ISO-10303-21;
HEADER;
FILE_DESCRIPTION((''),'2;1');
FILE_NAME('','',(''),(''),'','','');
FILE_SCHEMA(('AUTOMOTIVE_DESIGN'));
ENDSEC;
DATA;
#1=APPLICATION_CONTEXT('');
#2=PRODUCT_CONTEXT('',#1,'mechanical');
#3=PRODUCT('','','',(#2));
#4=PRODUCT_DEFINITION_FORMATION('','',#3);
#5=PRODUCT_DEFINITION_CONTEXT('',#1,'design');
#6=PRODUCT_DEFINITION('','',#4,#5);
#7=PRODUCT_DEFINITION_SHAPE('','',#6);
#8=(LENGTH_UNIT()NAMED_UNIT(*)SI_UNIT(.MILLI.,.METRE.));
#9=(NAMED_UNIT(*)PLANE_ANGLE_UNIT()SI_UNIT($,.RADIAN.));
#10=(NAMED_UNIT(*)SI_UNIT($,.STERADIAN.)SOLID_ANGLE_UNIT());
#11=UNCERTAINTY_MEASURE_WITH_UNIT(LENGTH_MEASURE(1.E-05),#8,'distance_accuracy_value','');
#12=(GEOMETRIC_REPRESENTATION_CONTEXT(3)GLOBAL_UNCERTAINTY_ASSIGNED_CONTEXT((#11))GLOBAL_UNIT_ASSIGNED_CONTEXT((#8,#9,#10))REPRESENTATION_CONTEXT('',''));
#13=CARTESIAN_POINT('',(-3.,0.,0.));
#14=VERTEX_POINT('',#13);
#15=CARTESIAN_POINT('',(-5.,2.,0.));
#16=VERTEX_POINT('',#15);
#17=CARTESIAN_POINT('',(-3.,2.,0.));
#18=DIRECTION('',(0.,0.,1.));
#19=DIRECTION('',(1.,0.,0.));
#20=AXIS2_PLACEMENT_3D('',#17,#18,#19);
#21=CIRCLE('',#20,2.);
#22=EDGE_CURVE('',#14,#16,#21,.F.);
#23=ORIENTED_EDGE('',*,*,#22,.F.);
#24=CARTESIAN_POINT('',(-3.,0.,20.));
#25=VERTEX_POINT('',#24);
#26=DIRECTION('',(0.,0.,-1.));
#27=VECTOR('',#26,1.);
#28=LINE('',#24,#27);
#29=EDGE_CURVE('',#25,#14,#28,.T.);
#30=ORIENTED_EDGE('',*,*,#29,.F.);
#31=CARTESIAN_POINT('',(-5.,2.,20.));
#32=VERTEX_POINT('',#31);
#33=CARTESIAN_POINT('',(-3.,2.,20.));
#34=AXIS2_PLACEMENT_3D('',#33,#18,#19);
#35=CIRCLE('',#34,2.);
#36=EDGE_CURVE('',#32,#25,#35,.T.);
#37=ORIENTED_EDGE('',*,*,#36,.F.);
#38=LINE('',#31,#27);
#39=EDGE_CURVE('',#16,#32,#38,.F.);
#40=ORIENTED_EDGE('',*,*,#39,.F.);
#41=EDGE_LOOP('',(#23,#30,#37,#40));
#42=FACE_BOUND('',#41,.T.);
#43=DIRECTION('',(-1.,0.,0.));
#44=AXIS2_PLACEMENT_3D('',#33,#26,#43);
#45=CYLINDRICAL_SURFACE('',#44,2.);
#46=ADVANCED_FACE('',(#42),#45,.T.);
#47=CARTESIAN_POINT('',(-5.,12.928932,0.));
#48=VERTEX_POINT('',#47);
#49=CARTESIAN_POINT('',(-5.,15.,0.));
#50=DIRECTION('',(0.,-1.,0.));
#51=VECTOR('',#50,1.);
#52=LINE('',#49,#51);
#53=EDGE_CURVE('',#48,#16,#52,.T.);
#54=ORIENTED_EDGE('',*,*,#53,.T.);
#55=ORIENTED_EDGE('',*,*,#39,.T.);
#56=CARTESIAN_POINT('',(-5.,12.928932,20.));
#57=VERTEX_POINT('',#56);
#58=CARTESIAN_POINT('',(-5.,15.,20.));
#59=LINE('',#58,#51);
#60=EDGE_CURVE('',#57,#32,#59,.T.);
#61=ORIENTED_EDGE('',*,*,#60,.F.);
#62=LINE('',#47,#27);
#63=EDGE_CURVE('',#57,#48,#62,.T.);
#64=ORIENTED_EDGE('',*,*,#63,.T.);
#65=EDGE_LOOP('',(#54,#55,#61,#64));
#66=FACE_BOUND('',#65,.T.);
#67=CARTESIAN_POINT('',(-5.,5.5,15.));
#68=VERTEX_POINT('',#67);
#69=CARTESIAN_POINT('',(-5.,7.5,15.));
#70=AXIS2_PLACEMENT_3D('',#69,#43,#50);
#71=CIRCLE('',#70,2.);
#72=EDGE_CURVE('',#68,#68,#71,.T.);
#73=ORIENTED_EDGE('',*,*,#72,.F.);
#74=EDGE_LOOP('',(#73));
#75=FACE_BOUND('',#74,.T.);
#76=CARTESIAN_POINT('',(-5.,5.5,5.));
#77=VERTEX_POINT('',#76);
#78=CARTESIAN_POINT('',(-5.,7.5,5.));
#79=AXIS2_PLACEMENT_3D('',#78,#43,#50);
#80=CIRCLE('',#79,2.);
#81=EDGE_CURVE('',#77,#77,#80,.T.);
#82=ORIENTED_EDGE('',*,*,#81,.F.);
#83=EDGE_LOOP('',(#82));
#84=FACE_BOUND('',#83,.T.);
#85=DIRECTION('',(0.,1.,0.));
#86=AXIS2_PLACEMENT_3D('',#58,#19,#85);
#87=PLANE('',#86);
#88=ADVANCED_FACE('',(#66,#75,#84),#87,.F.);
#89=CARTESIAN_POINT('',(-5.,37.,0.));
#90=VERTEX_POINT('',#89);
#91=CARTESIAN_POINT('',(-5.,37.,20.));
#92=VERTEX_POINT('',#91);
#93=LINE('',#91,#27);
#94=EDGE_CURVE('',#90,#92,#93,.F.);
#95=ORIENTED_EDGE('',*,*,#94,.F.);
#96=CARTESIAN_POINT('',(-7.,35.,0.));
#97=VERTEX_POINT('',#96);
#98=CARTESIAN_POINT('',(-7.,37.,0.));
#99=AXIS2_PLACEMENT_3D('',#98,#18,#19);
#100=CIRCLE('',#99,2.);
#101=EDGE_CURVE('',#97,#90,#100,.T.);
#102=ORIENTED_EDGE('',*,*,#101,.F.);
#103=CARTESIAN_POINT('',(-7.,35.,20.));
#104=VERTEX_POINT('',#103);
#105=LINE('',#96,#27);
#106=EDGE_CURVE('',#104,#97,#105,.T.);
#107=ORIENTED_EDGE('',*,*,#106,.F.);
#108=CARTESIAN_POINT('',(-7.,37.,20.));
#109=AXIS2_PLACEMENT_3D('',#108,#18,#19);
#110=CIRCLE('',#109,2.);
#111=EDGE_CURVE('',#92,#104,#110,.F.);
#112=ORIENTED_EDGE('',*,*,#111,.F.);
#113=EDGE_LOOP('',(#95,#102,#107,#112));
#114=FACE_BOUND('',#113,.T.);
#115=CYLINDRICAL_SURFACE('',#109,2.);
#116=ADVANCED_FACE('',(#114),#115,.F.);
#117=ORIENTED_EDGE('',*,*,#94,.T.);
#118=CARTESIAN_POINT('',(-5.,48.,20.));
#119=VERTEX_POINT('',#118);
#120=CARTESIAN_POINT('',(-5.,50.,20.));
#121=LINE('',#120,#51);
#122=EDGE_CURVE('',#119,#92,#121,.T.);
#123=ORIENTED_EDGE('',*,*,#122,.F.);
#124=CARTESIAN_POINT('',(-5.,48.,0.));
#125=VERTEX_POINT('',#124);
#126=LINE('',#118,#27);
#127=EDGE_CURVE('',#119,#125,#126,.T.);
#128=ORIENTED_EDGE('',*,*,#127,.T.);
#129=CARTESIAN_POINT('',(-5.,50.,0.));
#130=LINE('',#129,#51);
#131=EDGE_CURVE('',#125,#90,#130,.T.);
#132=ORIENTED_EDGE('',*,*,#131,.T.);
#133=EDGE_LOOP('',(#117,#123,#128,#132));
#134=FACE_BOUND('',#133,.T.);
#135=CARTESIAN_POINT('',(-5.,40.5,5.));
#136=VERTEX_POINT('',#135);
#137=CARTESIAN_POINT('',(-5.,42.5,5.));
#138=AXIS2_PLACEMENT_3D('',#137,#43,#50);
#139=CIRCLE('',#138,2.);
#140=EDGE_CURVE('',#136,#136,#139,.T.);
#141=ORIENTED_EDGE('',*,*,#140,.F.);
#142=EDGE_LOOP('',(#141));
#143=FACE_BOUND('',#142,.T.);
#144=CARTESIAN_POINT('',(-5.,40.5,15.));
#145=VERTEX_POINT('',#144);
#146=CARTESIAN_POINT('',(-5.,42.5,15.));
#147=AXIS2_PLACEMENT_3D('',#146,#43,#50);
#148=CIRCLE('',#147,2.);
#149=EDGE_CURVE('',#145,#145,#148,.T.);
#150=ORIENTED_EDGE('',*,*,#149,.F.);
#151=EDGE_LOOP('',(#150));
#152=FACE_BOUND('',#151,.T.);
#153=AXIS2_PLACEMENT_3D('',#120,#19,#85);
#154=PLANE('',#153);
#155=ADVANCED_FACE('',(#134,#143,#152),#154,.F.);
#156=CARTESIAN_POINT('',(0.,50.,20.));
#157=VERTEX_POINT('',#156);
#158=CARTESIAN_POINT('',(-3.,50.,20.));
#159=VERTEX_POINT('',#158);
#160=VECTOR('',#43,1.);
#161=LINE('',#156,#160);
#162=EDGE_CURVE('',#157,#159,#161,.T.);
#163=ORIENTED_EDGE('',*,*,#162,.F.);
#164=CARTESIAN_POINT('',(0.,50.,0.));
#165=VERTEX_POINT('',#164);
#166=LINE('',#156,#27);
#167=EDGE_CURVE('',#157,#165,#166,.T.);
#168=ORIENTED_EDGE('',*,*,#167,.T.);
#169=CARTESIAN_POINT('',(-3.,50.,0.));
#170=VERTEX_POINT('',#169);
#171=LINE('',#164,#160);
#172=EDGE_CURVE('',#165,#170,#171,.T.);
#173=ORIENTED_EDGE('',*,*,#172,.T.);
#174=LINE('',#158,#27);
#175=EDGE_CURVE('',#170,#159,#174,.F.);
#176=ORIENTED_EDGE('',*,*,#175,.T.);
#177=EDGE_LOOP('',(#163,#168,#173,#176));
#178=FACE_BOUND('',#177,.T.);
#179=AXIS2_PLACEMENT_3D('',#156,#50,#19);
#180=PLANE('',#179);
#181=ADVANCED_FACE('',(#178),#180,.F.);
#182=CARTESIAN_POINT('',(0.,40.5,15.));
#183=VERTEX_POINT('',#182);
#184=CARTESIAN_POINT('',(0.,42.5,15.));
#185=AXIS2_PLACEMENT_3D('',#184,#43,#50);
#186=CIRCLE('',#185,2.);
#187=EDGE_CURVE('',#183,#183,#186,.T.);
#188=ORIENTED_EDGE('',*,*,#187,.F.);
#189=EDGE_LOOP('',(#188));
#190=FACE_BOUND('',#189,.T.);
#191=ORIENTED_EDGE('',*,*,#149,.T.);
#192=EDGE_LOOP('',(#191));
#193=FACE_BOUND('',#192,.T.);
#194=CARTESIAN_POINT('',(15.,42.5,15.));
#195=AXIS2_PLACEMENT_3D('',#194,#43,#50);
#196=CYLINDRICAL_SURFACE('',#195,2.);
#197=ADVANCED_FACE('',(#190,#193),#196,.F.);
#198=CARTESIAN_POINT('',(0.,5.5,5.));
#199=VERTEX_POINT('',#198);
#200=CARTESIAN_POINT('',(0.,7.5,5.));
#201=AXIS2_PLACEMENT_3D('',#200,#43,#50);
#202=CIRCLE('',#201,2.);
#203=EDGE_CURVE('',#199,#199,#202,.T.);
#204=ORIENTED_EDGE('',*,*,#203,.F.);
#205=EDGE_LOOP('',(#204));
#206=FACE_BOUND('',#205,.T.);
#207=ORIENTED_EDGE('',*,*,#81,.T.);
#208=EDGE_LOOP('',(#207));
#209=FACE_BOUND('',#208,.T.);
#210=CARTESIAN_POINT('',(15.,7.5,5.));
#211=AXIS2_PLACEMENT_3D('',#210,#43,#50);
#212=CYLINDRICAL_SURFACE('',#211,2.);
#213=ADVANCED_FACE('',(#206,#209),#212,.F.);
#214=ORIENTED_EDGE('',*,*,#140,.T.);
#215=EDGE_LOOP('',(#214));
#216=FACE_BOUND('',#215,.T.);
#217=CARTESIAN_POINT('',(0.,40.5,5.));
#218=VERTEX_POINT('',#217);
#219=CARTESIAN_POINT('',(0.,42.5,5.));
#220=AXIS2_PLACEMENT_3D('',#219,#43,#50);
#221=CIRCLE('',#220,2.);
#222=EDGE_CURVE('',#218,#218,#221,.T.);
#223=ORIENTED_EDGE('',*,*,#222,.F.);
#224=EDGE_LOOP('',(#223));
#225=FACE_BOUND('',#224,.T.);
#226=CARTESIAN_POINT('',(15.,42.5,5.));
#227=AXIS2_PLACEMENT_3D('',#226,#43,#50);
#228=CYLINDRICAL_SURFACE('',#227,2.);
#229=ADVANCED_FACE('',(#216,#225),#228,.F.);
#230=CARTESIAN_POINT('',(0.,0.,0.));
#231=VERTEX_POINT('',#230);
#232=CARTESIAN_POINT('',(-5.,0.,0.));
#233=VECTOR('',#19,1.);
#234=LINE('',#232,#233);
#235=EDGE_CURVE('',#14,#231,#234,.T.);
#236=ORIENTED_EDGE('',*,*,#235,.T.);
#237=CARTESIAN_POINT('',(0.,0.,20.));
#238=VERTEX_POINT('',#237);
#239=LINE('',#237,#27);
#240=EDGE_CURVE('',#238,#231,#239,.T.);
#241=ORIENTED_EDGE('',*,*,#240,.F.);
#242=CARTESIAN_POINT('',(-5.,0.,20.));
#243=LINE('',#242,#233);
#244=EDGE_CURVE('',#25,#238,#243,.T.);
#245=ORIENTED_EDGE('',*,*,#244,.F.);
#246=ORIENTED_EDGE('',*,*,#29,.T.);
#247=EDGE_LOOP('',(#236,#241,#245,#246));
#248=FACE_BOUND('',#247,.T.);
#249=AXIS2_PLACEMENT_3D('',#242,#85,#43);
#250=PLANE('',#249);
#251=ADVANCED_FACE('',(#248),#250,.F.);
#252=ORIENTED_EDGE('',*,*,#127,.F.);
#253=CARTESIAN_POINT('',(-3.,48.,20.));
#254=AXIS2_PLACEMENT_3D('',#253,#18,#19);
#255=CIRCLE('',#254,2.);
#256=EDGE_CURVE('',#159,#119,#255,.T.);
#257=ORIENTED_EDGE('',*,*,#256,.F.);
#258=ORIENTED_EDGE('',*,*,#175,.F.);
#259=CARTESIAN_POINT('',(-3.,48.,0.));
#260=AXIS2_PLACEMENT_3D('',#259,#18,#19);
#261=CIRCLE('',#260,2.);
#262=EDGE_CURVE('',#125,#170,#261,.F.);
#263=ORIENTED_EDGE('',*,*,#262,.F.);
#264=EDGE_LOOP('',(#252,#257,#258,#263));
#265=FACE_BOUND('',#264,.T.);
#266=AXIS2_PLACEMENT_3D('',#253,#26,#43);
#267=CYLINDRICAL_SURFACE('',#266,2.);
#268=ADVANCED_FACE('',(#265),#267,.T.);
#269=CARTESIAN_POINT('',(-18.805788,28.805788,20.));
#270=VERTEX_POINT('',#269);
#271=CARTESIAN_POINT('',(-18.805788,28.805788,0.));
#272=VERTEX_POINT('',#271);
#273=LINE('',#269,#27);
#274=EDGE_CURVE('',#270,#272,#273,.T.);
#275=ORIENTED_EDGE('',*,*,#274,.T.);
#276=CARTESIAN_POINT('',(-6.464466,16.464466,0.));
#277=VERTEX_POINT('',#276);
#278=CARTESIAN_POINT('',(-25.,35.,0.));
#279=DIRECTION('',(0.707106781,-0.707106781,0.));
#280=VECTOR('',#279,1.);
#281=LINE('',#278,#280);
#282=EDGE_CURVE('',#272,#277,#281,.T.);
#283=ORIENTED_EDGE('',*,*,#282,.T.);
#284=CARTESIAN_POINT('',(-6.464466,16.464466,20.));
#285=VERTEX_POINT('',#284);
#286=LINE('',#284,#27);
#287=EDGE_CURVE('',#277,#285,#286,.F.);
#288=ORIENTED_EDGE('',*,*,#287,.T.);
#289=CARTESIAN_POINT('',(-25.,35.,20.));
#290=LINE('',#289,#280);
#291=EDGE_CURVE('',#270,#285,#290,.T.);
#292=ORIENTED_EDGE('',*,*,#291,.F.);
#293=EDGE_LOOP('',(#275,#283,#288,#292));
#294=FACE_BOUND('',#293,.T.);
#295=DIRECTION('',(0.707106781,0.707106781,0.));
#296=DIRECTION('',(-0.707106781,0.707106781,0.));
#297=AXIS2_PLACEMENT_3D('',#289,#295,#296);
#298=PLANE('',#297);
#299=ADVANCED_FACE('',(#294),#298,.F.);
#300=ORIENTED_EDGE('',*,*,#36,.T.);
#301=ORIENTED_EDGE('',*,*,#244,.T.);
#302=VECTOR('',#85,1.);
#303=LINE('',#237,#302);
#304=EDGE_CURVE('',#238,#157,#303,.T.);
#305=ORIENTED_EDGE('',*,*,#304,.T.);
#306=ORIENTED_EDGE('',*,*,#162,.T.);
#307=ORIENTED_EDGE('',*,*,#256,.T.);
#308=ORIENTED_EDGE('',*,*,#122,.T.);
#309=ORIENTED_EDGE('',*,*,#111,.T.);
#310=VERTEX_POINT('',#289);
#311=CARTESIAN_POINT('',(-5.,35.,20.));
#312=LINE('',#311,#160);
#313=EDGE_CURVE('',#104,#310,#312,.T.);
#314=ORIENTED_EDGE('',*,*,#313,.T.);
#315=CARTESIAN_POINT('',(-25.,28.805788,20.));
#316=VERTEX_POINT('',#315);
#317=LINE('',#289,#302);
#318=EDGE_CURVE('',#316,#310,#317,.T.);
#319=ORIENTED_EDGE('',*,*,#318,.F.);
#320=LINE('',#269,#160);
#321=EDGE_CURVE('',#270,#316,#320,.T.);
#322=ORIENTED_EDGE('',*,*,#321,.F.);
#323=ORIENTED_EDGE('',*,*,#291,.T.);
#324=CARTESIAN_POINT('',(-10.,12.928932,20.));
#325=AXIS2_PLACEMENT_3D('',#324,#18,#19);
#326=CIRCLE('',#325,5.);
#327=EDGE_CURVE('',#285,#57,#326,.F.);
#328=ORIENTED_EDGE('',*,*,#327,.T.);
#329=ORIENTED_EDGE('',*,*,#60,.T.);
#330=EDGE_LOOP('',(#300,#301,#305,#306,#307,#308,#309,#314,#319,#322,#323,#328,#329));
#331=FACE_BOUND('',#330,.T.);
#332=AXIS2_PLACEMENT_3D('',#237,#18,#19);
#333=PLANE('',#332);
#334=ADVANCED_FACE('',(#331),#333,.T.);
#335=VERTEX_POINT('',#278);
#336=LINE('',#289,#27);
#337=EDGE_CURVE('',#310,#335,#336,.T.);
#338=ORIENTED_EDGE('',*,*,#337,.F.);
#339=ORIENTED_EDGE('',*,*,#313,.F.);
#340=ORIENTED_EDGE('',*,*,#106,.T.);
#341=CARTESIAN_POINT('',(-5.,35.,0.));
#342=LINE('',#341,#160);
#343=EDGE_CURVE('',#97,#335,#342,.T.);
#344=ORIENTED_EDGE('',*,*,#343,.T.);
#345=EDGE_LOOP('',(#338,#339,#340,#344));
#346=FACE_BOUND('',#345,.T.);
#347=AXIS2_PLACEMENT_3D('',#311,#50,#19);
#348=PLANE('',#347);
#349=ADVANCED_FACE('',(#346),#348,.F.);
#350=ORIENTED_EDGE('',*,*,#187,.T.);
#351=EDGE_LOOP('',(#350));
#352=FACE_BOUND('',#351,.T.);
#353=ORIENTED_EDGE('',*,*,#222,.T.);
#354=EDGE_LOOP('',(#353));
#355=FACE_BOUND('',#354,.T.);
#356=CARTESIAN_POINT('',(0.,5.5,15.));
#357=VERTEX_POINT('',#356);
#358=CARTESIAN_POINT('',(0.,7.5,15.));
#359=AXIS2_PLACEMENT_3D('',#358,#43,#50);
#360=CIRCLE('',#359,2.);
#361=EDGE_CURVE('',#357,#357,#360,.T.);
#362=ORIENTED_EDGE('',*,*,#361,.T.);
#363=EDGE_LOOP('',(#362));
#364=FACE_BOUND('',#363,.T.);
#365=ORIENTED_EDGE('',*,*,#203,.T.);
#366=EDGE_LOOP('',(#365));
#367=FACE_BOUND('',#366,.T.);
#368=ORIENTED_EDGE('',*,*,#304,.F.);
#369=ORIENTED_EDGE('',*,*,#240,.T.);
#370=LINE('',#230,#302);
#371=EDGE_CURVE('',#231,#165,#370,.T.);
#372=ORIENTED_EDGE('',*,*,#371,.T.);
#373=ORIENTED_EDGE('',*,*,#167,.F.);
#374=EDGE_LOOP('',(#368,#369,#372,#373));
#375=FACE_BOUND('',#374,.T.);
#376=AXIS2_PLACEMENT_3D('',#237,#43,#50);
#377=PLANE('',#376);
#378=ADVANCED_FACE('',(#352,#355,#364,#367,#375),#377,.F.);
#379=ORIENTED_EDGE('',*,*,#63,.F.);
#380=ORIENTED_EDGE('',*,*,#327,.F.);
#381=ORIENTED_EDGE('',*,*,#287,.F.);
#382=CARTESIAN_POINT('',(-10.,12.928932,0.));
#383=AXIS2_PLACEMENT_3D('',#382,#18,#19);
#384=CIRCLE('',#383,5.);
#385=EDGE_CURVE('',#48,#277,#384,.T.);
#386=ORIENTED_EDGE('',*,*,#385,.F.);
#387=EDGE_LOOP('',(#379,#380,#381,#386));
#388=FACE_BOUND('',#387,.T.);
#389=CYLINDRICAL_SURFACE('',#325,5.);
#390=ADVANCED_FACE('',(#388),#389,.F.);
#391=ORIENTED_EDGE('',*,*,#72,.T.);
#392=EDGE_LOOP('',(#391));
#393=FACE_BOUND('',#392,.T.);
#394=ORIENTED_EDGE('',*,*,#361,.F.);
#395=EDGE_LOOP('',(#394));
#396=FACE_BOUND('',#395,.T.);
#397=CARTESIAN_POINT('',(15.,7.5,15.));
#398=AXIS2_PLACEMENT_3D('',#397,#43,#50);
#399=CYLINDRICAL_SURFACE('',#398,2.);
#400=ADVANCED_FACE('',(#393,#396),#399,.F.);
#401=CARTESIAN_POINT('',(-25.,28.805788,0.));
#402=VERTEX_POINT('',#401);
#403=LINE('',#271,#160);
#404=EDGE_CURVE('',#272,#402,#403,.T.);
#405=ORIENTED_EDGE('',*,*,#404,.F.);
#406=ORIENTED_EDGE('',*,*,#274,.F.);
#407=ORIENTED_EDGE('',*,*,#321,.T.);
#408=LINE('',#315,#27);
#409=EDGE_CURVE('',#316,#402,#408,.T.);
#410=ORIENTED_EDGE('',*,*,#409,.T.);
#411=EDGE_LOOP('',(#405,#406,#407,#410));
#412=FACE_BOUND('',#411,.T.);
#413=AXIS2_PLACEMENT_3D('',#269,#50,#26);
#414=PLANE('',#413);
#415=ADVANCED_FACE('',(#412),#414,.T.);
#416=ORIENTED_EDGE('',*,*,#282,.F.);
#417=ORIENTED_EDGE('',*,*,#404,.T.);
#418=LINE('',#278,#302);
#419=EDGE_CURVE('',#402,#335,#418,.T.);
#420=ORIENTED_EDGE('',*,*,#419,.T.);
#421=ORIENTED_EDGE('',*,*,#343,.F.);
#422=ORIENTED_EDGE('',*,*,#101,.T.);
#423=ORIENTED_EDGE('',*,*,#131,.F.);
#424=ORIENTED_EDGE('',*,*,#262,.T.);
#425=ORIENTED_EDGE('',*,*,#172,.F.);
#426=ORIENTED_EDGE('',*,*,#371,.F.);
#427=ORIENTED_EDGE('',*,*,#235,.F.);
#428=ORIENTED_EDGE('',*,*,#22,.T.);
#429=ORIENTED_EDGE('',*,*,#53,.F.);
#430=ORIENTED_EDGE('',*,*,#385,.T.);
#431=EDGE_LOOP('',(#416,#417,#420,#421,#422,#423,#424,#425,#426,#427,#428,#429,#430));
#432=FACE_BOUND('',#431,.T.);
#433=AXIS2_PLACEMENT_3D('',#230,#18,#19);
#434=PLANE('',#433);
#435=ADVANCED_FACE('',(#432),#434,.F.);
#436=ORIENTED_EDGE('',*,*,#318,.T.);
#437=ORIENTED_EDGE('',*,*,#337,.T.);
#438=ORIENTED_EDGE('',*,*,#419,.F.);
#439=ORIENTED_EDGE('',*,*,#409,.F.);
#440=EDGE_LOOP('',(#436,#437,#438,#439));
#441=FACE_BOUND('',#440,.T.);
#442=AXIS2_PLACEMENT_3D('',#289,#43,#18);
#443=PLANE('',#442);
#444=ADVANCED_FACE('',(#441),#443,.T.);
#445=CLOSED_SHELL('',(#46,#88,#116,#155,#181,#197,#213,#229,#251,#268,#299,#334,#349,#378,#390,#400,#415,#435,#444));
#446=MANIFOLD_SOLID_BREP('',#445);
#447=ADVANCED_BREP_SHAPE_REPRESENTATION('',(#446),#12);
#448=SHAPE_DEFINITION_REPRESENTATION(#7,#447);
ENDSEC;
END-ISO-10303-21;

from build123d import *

# Parameters (mm, degrees)
EXTRUDE_1_DEPTH     = 20
SKETCH_2_R          = 2
CUT_EXTRUDE_1_DEPTH = 20
FILLET_1_R          = 2
FILLET_2_R          = 5
SKETCH_3_W          = 6.194211673
SKETCH_3_H          = 6.194211673
EXTRUDE_2_DEPTH     = 20


with BuildPart() as part:
    # 草图1 → 凸台-拉伸1 (new body)
    with BuildSketch(Plane.XY):
        Polygon((0, 0), (0, 50), (-5, 50), (-5, 35), (-25, 35), (-5, 15), (-5, 0), align=None)
    extrude(amount=EXTRUDE_1_DEPTH)

    # 草图2 → 切除-拉伸1 (cut)
    with BuildSketch(Plane.ZY.offset(5)):
        with Locations(Location((5, 42.5, 0), (0, 0, 270))):
            Circle(SKETCH_2_R)
        with Locations(Location((15, 42.5, 0), (0, 0, 270))):
            Circle(SKETCH_2_R)
        with Locations(Location((5, 7.5, 0), (0, 0, 270))):
            Circle(SKETCH_2_R)
        with Locations(Location((15, 7.5, 0), (0, 0, 270))):
            Circle(SKETCH_2_R)
    extrude(amount=-CUT_EXTRUDE_1_DEPTH, mode=Mode.SUBTRACT)

    # 圆角1
    fillet_1_edges = [part.edges().sort_by_distance(p)[0] for p in [
        (-5, 0, 10),
        (-5, 35, 10),
        (-5, 50, 10),
    ]]
    fillet(fillet_1_edges, radius=FILLET_1_R)

    # 圆角2
    fillet_2_edges = [part.edges().sort_by_distance(p)[0] for p in [
        (-5, 15, 10),
    ]]
    fillet(fillet_2_edges, radius=FILLET_2_R)

    # 草图3 → 凸台-拉伸2 (add, through all)
    with BuildSketch(Plane(origin=(0, 0, 0), x_dir=(-1, 0, 0), z_dir=(0, 0, -1))):
        with Locations((21.902894164, 31.902894164)):
            Rectangle(SKETCH_3_W, SKETCH_3_H)
    extrude(amount=-EXTRUDE_2_DEPTH)


solid = part.part
